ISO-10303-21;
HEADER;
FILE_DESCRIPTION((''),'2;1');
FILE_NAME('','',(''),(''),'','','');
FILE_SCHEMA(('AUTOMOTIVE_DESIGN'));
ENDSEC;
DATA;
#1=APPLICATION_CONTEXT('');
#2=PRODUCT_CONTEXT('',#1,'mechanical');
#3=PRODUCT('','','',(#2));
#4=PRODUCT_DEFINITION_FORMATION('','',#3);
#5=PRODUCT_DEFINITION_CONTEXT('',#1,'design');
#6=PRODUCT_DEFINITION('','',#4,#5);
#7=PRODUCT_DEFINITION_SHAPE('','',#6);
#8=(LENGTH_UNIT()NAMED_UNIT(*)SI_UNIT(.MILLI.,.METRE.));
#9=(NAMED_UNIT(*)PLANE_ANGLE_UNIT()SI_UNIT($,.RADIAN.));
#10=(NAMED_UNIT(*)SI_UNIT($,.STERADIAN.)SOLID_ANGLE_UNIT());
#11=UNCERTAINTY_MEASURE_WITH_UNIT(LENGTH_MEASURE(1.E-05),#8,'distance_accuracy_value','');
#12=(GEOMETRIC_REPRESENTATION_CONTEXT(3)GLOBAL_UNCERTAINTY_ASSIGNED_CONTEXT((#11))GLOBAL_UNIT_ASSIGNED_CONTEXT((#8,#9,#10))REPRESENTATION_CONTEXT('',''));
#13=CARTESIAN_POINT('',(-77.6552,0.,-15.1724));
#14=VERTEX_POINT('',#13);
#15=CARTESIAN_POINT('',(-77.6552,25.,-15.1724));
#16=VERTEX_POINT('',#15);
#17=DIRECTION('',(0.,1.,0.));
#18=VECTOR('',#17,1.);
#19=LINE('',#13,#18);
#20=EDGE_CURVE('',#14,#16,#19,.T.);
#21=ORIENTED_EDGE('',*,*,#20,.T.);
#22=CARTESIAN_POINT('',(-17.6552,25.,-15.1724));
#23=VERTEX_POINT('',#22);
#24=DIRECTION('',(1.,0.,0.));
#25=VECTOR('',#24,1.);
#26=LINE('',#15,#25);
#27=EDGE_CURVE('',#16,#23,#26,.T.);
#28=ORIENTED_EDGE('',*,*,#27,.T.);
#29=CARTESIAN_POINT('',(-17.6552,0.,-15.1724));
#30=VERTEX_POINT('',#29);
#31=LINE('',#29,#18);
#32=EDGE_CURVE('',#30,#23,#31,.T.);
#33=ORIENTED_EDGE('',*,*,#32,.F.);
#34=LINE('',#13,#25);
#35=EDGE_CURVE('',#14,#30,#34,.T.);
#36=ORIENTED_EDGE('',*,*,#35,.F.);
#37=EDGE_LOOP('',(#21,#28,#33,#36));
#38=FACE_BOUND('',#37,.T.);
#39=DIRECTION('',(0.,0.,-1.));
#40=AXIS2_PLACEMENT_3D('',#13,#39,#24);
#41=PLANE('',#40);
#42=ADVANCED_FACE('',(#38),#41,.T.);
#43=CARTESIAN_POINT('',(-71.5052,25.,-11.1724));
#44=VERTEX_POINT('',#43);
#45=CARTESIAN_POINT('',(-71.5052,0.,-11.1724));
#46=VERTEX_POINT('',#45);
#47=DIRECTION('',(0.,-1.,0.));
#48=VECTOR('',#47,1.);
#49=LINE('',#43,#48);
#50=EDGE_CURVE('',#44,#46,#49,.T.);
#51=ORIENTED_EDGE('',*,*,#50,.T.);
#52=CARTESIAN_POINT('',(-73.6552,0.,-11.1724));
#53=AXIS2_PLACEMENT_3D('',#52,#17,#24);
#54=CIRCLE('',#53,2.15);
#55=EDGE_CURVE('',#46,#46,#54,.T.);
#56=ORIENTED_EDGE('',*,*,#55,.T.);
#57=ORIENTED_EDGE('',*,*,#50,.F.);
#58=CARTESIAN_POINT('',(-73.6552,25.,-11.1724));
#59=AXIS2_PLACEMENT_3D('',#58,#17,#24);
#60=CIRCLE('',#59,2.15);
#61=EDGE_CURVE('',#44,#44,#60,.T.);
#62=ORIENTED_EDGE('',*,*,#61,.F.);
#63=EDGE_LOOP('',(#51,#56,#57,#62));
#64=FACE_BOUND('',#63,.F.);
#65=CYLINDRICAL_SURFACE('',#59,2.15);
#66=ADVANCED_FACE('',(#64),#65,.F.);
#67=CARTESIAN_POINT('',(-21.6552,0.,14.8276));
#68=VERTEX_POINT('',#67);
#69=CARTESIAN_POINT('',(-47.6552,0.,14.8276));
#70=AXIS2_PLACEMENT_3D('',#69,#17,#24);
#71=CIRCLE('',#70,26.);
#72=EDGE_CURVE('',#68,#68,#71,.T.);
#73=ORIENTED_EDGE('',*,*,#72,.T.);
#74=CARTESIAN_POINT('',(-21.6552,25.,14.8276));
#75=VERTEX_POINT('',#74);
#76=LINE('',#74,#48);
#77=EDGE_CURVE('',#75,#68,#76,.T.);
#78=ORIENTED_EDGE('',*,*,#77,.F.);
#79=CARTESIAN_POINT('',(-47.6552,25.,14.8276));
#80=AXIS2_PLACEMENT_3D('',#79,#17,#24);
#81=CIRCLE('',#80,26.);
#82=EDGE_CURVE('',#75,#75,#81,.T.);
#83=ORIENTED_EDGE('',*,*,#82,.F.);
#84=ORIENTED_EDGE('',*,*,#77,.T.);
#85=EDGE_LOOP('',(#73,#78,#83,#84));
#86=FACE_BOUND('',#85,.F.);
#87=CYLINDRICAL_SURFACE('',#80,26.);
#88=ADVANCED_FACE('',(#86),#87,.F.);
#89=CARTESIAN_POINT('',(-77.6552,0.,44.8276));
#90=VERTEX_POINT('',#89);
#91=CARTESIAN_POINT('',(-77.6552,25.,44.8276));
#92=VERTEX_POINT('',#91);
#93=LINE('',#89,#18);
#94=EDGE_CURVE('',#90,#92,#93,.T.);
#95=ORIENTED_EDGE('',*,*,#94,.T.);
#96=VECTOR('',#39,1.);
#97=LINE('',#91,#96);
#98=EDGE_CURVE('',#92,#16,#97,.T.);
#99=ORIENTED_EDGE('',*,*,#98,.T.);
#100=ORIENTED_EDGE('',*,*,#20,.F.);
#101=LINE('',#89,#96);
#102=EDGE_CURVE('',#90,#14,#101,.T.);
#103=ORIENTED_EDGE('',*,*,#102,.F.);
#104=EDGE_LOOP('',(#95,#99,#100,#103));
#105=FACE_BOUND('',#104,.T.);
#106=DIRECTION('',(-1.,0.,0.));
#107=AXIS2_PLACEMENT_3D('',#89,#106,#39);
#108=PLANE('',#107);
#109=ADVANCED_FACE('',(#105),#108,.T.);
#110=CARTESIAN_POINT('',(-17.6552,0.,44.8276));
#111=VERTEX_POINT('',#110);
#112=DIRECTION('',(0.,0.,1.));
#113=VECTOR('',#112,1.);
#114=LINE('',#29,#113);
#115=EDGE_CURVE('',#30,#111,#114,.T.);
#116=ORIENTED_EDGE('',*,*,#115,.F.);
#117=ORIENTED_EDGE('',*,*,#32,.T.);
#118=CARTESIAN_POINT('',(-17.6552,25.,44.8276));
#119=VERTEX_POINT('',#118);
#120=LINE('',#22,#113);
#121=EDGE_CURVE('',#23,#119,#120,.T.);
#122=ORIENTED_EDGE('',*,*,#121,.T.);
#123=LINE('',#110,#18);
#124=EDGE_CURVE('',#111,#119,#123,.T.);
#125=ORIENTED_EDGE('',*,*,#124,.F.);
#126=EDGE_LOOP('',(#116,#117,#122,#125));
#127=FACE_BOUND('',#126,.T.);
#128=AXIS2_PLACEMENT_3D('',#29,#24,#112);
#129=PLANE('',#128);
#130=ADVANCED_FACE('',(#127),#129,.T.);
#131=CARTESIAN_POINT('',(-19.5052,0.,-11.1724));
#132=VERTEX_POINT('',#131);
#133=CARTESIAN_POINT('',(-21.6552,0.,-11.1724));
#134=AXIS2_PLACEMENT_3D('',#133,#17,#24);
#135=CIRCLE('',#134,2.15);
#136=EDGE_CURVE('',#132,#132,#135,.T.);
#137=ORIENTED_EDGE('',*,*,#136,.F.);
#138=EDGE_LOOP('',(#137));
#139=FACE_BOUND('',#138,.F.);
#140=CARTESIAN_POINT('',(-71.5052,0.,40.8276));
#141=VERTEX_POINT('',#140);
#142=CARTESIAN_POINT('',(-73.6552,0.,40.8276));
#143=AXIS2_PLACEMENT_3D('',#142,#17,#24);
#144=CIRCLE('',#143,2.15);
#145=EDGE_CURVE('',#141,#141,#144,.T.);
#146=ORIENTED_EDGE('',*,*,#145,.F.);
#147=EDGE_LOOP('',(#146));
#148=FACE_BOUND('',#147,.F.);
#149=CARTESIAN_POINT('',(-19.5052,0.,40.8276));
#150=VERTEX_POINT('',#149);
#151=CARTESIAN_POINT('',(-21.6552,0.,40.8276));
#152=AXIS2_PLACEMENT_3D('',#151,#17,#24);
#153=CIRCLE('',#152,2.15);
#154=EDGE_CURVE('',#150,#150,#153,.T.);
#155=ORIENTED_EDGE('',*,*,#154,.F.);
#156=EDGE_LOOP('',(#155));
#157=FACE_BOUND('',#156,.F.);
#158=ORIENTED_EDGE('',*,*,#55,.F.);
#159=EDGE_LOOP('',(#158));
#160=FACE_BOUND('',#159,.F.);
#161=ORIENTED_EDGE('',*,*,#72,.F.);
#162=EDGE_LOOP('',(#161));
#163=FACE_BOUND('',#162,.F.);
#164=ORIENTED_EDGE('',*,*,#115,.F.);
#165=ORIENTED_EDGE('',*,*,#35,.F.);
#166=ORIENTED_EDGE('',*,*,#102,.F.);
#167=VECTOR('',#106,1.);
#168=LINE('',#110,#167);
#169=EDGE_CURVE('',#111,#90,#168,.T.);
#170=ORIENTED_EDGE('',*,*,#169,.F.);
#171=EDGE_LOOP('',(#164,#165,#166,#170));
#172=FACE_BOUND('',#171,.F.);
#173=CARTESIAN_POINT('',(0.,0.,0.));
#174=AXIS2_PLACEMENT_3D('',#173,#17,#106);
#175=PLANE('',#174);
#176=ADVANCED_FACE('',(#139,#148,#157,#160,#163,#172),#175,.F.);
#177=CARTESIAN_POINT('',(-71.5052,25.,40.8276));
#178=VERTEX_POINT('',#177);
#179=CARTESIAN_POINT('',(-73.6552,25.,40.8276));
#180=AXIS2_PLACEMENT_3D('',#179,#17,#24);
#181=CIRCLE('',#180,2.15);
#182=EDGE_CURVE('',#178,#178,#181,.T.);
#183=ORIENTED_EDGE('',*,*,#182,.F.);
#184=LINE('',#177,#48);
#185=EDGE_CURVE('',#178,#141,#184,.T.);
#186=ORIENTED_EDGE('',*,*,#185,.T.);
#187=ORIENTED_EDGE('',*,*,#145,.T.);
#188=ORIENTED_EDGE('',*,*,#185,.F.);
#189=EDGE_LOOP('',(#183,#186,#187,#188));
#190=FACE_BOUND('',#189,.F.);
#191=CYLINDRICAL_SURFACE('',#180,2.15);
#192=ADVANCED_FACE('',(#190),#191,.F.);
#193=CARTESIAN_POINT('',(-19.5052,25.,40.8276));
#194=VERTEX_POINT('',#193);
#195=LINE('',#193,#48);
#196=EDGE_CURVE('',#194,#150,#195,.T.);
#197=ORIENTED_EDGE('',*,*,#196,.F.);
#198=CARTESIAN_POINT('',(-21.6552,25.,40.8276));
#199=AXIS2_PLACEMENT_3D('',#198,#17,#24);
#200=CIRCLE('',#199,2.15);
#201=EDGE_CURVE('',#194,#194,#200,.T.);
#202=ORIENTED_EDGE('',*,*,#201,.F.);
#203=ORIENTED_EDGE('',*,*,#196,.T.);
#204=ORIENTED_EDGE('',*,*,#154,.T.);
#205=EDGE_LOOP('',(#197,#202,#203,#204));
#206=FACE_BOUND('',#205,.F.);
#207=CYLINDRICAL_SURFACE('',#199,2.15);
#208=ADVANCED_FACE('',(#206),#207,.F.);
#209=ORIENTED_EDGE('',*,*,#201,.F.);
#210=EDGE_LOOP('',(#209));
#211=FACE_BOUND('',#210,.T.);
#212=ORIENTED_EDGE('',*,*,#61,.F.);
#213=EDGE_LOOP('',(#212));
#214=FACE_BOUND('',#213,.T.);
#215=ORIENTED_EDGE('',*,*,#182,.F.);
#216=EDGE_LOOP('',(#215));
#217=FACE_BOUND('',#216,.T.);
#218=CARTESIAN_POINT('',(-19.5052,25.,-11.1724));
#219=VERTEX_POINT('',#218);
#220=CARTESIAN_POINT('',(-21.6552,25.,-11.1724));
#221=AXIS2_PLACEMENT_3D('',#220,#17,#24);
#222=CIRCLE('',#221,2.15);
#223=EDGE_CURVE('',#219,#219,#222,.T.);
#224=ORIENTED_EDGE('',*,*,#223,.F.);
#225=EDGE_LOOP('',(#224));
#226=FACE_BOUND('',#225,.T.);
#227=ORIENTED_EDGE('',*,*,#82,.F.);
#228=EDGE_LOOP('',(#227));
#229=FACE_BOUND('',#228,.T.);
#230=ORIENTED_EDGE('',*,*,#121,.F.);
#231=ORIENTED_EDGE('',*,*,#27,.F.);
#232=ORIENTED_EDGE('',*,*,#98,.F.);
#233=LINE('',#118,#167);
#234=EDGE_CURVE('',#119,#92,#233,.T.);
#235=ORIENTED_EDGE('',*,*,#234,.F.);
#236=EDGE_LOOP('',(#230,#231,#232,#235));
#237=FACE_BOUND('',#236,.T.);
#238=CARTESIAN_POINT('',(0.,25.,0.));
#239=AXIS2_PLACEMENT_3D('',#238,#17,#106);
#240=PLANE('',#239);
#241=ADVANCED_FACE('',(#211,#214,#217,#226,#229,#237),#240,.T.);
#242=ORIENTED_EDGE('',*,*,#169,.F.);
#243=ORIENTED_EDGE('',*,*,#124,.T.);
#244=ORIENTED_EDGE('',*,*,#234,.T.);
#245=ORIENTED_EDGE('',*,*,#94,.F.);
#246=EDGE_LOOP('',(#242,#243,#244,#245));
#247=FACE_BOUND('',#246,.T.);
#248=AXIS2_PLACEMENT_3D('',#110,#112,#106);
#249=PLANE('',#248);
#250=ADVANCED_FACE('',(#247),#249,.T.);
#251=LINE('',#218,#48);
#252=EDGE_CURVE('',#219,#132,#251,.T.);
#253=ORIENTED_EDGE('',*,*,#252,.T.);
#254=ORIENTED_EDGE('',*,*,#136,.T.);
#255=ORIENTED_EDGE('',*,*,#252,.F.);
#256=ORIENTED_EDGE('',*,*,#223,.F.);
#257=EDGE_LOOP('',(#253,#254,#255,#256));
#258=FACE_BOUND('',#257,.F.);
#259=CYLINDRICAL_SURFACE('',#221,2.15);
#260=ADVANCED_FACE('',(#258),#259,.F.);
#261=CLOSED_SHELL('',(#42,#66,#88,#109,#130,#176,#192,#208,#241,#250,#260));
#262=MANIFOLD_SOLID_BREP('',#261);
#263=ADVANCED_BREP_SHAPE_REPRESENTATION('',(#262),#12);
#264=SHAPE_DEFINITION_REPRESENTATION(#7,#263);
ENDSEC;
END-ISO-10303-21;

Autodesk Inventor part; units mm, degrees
ref_plane "YZ Plane" through (0, 0, 0) normal (1, 0, 0) x (0, 1, 0)
ref_plane "XZ Plane" through (0, 0, 0) normal (0, 1, 0) x (-1, 0, 0)
ref_plane "XY Plane" through (0, 0, 0) normal (0, 0, 1) x (1, 0, 0)
sketch "Sketch1" plane through (0, 0, 0) normal (0, 1, 0) x (-1, 0, 0)
  line L0 (17.6552, 44.8276) -> (77.6552, 44.8276)
  line L1 (77.6552, 44.8276) -> (77.6552, -15.1724)
  line L2 (77.6552, -15.1724) -> (17.6552, -15.1724)
  line L3 (17.6552, -15.1724) -> (17.6552, 44.8276)
  point P0 (0, 0)
  dimension "d0" = 60
  dimension "d1" = 60
extrude "Extrusion1" add sketch "Sketch1" along normal blind 25
sketch "Sketch2" plane through (0, 25, 0) normal (0, 1, 0) x (1, 0, 0)
  line L0 (-17.6552, -44.8276) -> (-17.6552, 15.1724) projected
  line L1 (-17.6552, 15.1724) -> (-77.6552, 15.1724) projected
  line L2 (-77.6552, 15.1724) -> (-77.6552, -44.8276) projected
  circle A0 centre (-47.6552, -14.8276) radius 26
  circle A1 centre (-73.6552, 11.1724) radius 2.15
  circle A2 centre (-21.6552, 11.1724) radius 2.15
  circle A3 centre (-21.6552, -40.8276) radius 2.15
  circle A4 centre (-73.6552, -40.8276) radius 2.15
  point P0 (0, 0)
  dimension "d4" = 52
  dimension "d5" = 30
  dimension "d6" = 30
  dimension "d7" = 4.3
  dimension "d8" = 4.3
  dimension "d9" = 4.3
  dimension "d10" = 4.3
  dimension "d11" = 52
  dimension "d12" = 52
  dimension "d13" = 52
  dimension "d14" = 52
  dimension "d15" = 4
  dimension "d16" = 4
  dimension "d17" = 4
  dimension "d18" = 4
extrude "Extrusion2" cut sketch "Sketch2" against normal blind 38
properties part number "Fan60"
